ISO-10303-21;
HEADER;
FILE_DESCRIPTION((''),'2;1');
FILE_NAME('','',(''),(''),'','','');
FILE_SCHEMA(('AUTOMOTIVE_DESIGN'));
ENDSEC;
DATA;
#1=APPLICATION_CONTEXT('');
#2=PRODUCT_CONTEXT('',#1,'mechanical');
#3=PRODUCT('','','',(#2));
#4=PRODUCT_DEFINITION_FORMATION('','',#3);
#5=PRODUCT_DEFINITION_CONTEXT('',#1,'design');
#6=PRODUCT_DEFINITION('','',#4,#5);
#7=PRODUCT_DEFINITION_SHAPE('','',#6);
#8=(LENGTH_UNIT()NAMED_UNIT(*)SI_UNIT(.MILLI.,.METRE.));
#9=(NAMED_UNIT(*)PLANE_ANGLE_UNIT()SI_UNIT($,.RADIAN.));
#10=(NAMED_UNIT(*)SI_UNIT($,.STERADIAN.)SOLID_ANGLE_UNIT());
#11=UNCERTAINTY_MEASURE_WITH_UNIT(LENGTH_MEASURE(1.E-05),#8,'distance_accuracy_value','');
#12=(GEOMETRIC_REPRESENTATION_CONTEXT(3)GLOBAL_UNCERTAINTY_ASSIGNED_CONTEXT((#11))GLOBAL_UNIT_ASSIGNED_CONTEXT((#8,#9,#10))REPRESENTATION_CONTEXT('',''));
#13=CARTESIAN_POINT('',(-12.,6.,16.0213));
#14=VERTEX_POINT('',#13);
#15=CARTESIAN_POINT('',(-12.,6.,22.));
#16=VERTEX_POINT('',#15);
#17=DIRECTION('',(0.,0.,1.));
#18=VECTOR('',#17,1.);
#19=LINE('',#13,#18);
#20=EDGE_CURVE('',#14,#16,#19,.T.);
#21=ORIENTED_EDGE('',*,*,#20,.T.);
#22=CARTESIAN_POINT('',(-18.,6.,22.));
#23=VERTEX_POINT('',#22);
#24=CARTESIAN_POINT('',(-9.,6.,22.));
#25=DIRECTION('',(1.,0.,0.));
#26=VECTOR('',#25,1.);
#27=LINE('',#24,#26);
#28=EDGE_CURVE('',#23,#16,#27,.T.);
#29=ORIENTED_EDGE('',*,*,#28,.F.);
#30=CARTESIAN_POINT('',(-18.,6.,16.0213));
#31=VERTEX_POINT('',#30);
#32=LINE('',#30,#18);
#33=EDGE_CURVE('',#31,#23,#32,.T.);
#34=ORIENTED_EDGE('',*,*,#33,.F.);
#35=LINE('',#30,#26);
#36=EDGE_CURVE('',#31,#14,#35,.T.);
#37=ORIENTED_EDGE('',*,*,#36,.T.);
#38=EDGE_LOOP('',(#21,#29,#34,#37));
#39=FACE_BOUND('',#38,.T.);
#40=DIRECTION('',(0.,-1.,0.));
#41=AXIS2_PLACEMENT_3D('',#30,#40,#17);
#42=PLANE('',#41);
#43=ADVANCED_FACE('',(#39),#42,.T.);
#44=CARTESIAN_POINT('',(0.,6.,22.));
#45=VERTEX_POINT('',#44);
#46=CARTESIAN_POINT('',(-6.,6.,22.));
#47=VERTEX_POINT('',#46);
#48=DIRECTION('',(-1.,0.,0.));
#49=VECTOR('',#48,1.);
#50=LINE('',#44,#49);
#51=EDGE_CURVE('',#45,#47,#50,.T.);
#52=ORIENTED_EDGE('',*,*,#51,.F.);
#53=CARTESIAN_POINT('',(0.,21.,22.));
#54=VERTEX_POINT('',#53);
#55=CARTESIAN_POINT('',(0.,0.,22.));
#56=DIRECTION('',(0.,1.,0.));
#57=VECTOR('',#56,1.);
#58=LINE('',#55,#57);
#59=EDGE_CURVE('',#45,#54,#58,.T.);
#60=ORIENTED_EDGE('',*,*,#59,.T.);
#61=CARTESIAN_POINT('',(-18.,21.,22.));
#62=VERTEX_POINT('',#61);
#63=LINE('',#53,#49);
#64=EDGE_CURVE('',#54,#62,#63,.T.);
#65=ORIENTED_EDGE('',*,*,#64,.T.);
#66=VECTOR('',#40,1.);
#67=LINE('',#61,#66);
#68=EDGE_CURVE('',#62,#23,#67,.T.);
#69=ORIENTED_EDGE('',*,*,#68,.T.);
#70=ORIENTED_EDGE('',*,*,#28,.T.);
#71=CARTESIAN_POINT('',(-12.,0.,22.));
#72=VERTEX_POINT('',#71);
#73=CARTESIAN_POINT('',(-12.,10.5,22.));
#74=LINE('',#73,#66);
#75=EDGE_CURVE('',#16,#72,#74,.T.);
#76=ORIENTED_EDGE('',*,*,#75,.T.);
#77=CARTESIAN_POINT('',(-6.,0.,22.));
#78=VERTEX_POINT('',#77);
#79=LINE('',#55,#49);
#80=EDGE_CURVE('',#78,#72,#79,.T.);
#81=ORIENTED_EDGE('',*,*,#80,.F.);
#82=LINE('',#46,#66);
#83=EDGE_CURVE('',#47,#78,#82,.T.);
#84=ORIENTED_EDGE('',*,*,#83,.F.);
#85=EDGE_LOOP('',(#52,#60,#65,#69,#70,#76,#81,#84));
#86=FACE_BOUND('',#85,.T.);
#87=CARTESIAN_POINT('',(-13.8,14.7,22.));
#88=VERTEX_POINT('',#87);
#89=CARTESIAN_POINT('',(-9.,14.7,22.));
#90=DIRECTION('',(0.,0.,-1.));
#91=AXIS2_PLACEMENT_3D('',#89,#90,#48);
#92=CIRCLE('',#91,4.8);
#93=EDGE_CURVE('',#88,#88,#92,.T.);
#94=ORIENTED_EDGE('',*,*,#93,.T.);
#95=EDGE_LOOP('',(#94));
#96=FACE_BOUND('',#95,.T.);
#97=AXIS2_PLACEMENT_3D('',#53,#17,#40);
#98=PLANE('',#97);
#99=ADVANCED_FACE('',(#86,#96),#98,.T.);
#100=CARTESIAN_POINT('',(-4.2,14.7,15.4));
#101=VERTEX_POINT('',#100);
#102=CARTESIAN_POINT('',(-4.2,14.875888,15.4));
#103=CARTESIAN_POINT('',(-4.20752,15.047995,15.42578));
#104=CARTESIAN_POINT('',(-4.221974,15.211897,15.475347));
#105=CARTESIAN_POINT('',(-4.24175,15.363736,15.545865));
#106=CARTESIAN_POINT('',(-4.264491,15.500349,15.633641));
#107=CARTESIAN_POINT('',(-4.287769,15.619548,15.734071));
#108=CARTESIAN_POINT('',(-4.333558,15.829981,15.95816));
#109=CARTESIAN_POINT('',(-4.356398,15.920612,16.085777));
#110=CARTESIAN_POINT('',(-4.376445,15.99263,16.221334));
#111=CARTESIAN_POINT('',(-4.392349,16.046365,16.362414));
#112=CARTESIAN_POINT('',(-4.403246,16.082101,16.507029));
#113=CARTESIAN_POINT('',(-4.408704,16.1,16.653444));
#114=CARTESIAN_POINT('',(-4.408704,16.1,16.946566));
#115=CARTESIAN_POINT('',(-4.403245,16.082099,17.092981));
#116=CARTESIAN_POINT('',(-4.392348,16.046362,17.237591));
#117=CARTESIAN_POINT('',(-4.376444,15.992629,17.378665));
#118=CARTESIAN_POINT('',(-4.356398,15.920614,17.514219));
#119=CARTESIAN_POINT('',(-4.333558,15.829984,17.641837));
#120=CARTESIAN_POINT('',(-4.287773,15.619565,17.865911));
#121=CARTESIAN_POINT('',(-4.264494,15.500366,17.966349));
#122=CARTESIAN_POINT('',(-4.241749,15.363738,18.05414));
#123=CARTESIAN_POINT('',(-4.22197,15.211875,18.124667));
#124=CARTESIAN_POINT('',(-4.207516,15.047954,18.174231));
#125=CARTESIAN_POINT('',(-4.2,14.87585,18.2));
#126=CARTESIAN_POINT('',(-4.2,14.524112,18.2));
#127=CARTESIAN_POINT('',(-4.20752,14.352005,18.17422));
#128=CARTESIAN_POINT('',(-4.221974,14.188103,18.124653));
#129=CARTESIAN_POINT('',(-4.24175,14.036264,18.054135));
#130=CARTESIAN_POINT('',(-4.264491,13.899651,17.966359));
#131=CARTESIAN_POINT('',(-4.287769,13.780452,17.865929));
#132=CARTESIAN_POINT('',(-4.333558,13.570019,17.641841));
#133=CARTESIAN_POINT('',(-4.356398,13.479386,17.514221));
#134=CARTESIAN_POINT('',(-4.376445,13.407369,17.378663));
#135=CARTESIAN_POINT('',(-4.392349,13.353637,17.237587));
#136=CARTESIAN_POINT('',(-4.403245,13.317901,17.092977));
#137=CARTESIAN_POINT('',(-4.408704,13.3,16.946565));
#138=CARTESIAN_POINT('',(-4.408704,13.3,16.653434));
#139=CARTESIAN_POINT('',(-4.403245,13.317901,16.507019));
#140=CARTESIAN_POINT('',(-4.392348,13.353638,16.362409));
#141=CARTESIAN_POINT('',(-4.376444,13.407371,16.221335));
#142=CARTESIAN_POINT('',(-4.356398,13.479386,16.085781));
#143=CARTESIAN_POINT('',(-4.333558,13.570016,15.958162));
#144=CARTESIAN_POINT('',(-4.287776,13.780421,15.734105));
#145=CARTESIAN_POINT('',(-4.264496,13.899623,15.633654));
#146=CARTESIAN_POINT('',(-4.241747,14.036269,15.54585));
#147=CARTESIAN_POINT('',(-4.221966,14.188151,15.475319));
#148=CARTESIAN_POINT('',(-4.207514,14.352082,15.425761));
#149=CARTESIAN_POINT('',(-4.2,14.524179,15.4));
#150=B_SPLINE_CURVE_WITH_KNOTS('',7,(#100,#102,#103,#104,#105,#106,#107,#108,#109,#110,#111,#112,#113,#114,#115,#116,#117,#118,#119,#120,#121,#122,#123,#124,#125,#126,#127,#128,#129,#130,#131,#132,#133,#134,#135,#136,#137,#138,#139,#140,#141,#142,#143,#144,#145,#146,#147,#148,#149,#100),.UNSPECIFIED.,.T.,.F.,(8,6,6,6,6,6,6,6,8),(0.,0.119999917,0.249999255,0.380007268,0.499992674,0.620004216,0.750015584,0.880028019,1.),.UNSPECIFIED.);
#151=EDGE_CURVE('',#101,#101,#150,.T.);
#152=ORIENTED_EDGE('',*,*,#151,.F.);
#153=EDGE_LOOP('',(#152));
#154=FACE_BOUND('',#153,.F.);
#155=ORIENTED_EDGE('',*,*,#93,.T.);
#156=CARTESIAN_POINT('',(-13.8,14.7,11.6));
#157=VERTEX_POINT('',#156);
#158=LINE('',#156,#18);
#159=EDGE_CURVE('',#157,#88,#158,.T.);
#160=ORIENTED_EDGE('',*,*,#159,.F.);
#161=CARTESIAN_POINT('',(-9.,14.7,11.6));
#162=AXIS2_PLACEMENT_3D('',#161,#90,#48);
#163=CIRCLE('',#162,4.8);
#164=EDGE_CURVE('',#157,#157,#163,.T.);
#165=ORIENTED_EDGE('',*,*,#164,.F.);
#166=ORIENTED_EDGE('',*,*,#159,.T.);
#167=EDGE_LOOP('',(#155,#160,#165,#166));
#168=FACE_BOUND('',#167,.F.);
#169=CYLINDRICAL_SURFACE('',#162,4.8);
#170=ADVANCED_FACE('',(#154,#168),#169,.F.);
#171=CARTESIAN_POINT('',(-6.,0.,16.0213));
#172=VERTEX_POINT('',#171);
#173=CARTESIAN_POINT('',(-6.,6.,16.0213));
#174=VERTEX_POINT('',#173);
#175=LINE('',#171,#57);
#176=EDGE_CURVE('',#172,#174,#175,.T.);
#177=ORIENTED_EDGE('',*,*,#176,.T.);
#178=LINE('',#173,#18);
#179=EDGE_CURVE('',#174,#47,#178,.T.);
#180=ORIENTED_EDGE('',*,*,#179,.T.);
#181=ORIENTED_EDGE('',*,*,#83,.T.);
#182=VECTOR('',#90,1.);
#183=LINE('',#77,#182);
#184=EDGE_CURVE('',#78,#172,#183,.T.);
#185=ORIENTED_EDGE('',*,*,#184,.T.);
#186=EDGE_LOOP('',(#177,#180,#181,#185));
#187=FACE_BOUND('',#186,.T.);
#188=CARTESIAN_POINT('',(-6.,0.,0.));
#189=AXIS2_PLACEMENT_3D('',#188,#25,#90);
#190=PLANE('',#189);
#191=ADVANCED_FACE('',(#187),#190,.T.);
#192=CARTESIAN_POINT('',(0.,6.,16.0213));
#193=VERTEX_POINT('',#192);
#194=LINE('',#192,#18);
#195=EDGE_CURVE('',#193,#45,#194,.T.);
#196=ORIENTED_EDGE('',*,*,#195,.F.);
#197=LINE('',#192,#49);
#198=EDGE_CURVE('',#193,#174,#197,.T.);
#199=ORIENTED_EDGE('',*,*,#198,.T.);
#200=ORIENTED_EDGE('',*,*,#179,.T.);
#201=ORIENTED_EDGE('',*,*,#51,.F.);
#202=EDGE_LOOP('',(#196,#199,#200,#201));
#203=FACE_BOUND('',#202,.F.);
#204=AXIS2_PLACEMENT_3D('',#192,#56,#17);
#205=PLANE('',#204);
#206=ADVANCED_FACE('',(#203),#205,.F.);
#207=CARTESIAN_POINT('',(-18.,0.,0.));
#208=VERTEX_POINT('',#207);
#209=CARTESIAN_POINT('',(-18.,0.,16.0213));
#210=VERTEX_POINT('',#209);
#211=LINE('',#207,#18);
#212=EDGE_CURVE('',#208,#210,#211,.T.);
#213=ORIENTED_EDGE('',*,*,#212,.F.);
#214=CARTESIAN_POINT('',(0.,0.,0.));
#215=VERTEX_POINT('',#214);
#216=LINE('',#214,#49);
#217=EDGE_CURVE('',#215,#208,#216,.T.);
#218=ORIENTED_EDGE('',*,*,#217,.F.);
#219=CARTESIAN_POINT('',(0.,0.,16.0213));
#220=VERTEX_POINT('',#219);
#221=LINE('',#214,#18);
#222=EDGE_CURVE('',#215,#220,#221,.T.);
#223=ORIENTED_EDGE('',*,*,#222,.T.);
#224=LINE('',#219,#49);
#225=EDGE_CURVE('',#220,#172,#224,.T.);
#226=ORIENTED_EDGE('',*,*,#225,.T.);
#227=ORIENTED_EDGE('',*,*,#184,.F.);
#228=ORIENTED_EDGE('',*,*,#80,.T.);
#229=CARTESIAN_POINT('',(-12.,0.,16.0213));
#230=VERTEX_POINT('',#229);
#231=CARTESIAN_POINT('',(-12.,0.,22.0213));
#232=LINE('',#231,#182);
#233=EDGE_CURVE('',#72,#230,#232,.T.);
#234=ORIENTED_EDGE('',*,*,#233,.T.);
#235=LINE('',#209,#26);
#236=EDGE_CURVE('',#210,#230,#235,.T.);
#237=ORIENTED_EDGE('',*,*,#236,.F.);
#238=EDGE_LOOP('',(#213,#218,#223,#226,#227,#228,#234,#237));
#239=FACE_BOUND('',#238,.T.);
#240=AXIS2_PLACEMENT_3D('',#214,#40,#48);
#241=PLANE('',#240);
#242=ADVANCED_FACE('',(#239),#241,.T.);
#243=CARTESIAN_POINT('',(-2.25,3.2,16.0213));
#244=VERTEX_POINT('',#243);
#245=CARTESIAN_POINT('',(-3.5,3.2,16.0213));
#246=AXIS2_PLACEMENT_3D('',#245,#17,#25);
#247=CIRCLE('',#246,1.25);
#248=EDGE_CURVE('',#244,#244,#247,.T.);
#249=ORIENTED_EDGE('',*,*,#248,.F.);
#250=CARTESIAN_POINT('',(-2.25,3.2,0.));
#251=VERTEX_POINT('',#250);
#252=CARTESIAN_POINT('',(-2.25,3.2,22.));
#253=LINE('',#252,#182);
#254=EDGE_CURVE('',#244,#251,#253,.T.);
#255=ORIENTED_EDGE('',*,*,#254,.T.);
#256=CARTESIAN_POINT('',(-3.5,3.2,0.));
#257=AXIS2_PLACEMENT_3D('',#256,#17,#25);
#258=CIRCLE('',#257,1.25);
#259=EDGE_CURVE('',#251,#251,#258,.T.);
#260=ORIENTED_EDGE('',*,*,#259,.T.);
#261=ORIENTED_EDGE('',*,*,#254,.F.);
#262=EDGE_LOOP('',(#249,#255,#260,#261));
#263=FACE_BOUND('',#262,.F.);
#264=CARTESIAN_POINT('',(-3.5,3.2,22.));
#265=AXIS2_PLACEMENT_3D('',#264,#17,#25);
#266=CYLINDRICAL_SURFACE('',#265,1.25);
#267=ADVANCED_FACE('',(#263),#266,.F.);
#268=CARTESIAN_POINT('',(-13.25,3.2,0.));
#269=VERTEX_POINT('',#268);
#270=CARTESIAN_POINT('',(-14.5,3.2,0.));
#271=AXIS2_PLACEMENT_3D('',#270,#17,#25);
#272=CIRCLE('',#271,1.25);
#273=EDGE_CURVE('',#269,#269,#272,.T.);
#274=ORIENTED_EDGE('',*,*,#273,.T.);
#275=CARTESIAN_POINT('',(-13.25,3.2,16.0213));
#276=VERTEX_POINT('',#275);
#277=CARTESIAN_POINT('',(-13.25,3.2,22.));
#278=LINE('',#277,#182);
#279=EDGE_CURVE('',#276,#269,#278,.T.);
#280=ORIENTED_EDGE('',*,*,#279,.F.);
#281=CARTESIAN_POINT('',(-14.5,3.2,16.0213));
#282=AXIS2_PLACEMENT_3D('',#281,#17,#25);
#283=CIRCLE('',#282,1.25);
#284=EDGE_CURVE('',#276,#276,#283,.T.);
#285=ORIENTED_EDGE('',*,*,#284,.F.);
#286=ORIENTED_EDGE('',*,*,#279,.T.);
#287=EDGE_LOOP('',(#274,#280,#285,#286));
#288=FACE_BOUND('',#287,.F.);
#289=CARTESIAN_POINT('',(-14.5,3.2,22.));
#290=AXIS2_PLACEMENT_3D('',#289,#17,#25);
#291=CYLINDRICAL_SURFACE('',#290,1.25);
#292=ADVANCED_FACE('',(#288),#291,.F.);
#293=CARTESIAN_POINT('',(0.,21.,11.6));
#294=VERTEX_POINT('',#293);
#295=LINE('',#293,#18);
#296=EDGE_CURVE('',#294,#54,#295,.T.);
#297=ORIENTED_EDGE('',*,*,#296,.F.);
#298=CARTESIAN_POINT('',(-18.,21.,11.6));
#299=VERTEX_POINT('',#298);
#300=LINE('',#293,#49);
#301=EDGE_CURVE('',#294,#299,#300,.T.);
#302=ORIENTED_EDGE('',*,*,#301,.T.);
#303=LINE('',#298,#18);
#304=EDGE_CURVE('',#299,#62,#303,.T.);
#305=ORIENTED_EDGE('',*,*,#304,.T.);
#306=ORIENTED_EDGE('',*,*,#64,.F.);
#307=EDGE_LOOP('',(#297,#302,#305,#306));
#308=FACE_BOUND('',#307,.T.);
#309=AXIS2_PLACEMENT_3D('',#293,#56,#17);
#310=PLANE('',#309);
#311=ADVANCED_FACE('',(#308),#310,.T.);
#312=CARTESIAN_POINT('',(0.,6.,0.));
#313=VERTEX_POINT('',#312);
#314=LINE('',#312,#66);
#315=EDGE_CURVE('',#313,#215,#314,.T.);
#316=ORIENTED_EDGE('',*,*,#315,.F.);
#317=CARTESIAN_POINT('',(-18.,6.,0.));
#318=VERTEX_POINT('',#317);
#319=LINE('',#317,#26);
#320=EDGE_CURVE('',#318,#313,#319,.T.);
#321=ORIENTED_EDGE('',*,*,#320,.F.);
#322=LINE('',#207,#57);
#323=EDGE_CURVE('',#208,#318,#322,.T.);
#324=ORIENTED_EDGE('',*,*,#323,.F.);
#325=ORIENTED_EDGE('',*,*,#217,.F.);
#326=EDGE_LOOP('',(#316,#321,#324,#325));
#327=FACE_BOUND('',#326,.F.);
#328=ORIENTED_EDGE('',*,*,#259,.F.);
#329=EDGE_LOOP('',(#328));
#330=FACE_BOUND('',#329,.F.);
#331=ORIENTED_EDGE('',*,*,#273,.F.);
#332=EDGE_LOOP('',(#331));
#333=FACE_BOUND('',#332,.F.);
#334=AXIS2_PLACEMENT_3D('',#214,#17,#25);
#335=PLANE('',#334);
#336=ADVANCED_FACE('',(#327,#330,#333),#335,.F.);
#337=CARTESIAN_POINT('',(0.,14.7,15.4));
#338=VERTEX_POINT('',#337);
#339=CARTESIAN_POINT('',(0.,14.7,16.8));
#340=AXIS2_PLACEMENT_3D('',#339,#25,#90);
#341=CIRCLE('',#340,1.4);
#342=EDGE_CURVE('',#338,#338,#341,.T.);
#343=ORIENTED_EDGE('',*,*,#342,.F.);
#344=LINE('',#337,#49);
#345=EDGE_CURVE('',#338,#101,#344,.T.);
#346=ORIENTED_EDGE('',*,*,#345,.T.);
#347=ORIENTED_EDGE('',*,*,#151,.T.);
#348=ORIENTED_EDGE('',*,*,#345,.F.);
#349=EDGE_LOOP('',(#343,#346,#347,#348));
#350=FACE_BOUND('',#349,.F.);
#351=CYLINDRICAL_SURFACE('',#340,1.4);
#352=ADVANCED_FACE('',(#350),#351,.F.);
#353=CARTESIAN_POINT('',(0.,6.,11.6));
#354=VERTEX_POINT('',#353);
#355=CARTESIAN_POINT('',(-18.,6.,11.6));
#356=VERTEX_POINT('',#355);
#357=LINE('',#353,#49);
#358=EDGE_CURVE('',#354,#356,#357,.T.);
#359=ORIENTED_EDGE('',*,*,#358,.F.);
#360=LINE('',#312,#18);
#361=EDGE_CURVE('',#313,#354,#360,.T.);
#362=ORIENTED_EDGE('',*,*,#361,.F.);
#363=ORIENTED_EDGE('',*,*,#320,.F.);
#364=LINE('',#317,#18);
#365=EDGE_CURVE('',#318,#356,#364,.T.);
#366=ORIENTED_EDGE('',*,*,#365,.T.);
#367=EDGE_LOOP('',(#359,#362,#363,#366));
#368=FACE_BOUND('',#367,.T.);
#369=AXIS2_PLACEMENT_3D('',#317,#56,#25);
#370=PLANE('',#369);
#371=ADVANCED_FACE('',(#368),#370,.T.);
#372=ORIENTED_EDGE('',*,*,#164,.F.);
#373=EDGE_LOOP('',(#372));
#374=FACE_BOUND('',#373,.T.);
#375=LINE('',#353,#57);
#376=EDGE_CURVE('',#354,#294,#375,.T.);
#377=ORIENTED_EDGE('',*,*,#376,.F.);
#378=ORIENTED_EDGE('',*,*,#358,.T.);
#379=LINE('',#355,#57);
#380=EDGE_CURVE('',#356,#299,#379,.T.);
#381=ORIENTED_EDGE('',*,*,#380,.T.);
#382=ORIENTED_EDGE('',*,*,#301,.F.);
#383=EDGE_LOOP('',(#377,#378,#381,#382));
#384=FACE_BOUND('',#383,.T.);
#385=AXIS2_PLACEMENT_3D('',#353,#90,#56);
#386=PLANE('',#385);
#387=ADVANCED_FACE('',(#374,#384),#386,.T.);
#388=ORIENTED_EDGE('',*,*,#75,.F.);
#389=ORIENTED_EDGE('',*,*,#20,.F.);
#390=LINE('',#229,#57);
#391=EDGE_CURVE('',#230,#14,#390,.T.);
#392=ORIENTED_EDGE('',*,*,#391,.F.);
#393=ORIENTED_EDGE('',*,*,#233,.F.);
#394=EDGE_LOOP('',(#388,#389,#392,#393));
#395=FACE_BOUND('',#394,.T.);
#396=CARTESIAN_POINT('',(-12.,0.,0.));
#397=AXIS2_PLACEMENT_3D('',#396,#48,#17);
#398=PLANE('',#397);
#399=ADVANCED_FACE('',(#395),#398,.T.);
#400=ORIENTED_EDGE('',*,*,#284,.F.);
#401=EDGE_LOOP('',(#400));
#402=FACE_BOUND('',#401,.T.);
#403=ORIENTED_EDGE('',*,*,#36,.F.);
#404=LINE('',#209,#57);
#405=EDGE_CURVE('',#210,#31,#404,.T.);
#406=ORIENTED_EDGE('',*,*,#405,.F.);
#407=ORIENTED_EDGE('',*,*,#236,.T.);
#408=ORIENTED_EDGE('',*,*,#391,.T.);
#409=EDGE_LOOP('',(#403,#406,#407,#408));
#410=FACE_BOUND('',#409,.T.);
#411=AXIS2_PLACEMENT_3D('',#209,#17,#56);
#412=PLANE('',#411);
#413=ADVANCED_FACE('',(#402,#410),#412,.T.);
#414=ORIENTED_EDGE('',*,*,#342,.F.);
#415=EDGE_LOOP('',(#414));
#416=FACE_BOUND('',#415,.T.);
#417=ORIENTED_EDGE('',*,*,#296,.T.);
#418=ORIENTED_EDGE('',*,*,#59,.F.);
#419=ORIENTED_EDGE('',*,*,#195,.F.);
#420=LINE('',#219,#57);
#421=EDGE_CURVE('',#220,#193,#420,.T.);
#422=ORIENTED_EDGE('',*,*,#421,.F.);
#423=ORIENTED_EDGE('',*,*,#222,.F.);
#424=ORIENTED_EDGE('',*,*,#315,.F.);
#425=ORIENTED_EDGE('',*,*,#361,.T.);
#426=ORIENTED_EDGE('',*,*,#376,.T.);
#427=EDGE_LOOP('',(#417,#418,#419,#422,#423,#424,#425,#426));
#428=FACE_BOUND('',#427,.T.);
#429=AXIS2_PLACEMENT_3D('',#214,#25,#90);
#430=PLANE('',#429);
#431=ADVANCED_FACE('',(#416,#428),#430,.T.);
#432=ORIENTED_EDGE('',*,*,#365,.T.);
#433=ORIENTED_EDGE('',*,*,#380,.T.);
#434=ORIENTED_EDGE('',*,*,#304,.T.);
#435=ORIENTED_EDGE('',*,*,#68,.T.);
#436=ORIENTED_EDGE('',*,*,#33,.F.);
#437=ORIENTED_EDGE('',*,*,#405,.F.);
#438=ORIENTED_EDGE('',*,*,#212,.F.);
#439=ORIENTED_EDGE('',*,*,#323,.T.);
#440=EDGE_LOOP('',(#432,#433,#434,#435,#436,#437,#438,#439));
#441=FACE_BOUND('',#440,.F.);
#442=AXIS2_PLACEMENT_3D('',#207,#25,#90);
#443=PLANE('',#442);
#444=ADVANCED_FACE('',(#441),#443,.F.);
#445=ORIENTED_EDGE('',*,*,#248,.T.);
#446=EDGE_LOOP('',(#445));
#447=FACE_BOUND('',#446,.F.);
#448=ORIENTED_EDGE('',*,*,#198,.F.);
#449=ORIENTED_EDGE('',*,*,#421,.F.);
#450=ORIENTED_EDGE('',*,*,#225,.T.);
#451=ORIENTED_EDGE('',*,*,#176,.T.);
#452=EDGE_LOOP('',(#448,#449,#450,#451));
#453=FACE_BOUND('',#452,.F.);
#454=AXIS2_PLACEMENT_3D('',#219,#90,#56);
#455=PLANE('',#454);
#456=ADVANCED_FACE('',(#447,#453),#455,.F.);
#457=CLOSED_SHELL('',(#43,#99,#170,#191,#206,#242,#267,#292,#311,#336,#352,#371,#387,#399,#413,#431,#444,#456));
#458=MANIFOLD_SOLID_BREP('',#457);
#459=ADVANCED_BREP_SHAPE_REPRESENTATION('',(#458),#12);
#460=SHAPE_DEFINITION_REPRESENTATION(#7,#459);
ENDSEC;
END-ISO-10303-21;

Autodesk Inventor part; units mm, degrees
ref_plane "YZ Plane" through (0, 0, 0) normal (1, 0, 0) x (0, 1, 0)
ref_plane "XZ Plane" through (0, 0, 0) normal (0, 1, 0) x (-1, 0, 0)
ref_plane "XY Plane" through (0, 0, 0) normal (0, 0, 1) x (1, 0, 0)
sketch "Sketch1" plane through (0, 0, 0) normal (0, 0, 1) x (1, 0, 0)
  line L0 (0, 0) -> (-18, 0)
  line L1 (-18, 0) -> (-18, 6)
  line L2 (-18, 6) -> (0, 6)
  line L3 (0, 6) -> (0, 0)
  dimension "d0" = 18
  dimension "d1" = 6
extrude "Extrusion1" add sketch "Sketch1" along normal blind 22
sketch "Sketch2" plane through (0, 0, 22) normal (0, 0, 1) x (1, 0, 0)
  line L0 (-18, 0) -> (0, 0) projected
  line L1 (0, 0) -> (0, 6) projected
  line L2 (0, 6) -> (-18, 6) projected
  line L3 (-18, 6) -> (-18, 0) projected
  circle A0 centre (-14.5, 3.2) radius 1.25
  circle A1 centre (-3.5, 3.2) radius 1.25
  dimension "d4" = 2.5
  dimension "d5" = 2.5
  dimension "d6" = 2.8
  dimension "d7" = 2.8
  dimension "d8" = 3.5
  dimension "d9" = 3.5
extrude "Extrusion2" cut sketch "Sketch2" against normal through all contours A0 | A1
sketch "Sketch3" plane through (0, 0, 0) normal (1, 0, 0) x (0, 0, -1)
  line L0 (0, 6) -> (0, 0) projected
  line L1 (0, 6) -> (-22, 6) projected
  line L2 (-22, 0) -> (-22, 6) projected
  line L3 (0, 0) -> (-22, 0) projected
  line L4 (0, 6) -> (-22, 6) projected
  line L5 (-22, 6) -> (-11.6, 6)
  line L6 (-11.6, 6) -> (-11.6, 21)
  line L7 (-11.6, 21) -> (-22, 21)
  line L8 (-22, 21) -> (-22, 6)
  dimension "d12" = 10.4
  dimension "d13" = 15
extrude "Extrusion3" add sketch "Sketch3" against normal up to surface (18 mm away) contours L1 L8 L7 L6
sketch "Sketch4" plane through (0, 6, 11.6) normal (0, 0, -1) x (-1, 0, 0)
  line L0 (18, 0) -> (18, 15) projected
  line L1 (0, 15) -> (18, 15) projected
  line L2 (0, 15) -> (0, 0) projected
  line L3 (18, 0) -> (0, 0) projected
  circle A0 centre (9, 8.7) radius 4.8
  point P0 (0, -6)
  dimension "d16" = 9.6
  dimension "d17" = 6.3
extrude "Extrusion4" cut sketch "Sketch4" against normal through all contours A0
sketch "Sketch5" plane through (-18, 0, 0) normal (-1, 0, 0) x (0, 0, 1)
  line L0 (22.0213, 0) -> (16.0213, 0)
  line L1 (16.0213, 0) -> (16.0213, 6)
  line L2 (16.0213, 6) -> (22.0213, 6)
  line L3 (22.0213, 6) -> (22.0213, 0)
  point P0 (0, 0)
  dimension "d20" = 6
  dimension "d21" = 6
extrude "Extrusion5" cut sketch "Sketch5" against normal blind 6
sketch "Sketch6" plane through (0, 0, 0) normal (1, 0, 0) x (0, 0, -1)
  line L0 (-22, 6) -> (-22, 0) projected
  line L1 (-16.0213, 6) -> (-22, 6) projected
  line L2 (-16.0213, 0) -> (-16.0213, 6) projected
  line L3 (-22, 0) -> (-16.0213, 0) projected
  point P0 (0, 0)
extrude "Extrusion6" cut sketch "Sketch6" against normal blind 6
sketch "Sketch7" plane through (0, 0, 0) normal (1, 0, 0) x (0, 0, -1)
  line L0 (-6.6, 12.2) -> (-11.6, 12.2)
  line L1 (-6.6, 17.2) -> (-11.6, 17.2)
  line L2 (-11.6, 21) -> (-11.6, 6) projected
  line L3 (-22, 6) -> (-22, 21) projected
  circle A0 centre (-16.8, 14.7) radius 1.4
  point P0 (0, 0)
  dimension "d26" = 2.8
  dimension "d27" = 5.2
  dimension "d28" = 2.5
extrude "Extrusion7" cut sketch "Sketch7" against normal blind 6
properties part number "00_micrometer_moun_xystage_china"
